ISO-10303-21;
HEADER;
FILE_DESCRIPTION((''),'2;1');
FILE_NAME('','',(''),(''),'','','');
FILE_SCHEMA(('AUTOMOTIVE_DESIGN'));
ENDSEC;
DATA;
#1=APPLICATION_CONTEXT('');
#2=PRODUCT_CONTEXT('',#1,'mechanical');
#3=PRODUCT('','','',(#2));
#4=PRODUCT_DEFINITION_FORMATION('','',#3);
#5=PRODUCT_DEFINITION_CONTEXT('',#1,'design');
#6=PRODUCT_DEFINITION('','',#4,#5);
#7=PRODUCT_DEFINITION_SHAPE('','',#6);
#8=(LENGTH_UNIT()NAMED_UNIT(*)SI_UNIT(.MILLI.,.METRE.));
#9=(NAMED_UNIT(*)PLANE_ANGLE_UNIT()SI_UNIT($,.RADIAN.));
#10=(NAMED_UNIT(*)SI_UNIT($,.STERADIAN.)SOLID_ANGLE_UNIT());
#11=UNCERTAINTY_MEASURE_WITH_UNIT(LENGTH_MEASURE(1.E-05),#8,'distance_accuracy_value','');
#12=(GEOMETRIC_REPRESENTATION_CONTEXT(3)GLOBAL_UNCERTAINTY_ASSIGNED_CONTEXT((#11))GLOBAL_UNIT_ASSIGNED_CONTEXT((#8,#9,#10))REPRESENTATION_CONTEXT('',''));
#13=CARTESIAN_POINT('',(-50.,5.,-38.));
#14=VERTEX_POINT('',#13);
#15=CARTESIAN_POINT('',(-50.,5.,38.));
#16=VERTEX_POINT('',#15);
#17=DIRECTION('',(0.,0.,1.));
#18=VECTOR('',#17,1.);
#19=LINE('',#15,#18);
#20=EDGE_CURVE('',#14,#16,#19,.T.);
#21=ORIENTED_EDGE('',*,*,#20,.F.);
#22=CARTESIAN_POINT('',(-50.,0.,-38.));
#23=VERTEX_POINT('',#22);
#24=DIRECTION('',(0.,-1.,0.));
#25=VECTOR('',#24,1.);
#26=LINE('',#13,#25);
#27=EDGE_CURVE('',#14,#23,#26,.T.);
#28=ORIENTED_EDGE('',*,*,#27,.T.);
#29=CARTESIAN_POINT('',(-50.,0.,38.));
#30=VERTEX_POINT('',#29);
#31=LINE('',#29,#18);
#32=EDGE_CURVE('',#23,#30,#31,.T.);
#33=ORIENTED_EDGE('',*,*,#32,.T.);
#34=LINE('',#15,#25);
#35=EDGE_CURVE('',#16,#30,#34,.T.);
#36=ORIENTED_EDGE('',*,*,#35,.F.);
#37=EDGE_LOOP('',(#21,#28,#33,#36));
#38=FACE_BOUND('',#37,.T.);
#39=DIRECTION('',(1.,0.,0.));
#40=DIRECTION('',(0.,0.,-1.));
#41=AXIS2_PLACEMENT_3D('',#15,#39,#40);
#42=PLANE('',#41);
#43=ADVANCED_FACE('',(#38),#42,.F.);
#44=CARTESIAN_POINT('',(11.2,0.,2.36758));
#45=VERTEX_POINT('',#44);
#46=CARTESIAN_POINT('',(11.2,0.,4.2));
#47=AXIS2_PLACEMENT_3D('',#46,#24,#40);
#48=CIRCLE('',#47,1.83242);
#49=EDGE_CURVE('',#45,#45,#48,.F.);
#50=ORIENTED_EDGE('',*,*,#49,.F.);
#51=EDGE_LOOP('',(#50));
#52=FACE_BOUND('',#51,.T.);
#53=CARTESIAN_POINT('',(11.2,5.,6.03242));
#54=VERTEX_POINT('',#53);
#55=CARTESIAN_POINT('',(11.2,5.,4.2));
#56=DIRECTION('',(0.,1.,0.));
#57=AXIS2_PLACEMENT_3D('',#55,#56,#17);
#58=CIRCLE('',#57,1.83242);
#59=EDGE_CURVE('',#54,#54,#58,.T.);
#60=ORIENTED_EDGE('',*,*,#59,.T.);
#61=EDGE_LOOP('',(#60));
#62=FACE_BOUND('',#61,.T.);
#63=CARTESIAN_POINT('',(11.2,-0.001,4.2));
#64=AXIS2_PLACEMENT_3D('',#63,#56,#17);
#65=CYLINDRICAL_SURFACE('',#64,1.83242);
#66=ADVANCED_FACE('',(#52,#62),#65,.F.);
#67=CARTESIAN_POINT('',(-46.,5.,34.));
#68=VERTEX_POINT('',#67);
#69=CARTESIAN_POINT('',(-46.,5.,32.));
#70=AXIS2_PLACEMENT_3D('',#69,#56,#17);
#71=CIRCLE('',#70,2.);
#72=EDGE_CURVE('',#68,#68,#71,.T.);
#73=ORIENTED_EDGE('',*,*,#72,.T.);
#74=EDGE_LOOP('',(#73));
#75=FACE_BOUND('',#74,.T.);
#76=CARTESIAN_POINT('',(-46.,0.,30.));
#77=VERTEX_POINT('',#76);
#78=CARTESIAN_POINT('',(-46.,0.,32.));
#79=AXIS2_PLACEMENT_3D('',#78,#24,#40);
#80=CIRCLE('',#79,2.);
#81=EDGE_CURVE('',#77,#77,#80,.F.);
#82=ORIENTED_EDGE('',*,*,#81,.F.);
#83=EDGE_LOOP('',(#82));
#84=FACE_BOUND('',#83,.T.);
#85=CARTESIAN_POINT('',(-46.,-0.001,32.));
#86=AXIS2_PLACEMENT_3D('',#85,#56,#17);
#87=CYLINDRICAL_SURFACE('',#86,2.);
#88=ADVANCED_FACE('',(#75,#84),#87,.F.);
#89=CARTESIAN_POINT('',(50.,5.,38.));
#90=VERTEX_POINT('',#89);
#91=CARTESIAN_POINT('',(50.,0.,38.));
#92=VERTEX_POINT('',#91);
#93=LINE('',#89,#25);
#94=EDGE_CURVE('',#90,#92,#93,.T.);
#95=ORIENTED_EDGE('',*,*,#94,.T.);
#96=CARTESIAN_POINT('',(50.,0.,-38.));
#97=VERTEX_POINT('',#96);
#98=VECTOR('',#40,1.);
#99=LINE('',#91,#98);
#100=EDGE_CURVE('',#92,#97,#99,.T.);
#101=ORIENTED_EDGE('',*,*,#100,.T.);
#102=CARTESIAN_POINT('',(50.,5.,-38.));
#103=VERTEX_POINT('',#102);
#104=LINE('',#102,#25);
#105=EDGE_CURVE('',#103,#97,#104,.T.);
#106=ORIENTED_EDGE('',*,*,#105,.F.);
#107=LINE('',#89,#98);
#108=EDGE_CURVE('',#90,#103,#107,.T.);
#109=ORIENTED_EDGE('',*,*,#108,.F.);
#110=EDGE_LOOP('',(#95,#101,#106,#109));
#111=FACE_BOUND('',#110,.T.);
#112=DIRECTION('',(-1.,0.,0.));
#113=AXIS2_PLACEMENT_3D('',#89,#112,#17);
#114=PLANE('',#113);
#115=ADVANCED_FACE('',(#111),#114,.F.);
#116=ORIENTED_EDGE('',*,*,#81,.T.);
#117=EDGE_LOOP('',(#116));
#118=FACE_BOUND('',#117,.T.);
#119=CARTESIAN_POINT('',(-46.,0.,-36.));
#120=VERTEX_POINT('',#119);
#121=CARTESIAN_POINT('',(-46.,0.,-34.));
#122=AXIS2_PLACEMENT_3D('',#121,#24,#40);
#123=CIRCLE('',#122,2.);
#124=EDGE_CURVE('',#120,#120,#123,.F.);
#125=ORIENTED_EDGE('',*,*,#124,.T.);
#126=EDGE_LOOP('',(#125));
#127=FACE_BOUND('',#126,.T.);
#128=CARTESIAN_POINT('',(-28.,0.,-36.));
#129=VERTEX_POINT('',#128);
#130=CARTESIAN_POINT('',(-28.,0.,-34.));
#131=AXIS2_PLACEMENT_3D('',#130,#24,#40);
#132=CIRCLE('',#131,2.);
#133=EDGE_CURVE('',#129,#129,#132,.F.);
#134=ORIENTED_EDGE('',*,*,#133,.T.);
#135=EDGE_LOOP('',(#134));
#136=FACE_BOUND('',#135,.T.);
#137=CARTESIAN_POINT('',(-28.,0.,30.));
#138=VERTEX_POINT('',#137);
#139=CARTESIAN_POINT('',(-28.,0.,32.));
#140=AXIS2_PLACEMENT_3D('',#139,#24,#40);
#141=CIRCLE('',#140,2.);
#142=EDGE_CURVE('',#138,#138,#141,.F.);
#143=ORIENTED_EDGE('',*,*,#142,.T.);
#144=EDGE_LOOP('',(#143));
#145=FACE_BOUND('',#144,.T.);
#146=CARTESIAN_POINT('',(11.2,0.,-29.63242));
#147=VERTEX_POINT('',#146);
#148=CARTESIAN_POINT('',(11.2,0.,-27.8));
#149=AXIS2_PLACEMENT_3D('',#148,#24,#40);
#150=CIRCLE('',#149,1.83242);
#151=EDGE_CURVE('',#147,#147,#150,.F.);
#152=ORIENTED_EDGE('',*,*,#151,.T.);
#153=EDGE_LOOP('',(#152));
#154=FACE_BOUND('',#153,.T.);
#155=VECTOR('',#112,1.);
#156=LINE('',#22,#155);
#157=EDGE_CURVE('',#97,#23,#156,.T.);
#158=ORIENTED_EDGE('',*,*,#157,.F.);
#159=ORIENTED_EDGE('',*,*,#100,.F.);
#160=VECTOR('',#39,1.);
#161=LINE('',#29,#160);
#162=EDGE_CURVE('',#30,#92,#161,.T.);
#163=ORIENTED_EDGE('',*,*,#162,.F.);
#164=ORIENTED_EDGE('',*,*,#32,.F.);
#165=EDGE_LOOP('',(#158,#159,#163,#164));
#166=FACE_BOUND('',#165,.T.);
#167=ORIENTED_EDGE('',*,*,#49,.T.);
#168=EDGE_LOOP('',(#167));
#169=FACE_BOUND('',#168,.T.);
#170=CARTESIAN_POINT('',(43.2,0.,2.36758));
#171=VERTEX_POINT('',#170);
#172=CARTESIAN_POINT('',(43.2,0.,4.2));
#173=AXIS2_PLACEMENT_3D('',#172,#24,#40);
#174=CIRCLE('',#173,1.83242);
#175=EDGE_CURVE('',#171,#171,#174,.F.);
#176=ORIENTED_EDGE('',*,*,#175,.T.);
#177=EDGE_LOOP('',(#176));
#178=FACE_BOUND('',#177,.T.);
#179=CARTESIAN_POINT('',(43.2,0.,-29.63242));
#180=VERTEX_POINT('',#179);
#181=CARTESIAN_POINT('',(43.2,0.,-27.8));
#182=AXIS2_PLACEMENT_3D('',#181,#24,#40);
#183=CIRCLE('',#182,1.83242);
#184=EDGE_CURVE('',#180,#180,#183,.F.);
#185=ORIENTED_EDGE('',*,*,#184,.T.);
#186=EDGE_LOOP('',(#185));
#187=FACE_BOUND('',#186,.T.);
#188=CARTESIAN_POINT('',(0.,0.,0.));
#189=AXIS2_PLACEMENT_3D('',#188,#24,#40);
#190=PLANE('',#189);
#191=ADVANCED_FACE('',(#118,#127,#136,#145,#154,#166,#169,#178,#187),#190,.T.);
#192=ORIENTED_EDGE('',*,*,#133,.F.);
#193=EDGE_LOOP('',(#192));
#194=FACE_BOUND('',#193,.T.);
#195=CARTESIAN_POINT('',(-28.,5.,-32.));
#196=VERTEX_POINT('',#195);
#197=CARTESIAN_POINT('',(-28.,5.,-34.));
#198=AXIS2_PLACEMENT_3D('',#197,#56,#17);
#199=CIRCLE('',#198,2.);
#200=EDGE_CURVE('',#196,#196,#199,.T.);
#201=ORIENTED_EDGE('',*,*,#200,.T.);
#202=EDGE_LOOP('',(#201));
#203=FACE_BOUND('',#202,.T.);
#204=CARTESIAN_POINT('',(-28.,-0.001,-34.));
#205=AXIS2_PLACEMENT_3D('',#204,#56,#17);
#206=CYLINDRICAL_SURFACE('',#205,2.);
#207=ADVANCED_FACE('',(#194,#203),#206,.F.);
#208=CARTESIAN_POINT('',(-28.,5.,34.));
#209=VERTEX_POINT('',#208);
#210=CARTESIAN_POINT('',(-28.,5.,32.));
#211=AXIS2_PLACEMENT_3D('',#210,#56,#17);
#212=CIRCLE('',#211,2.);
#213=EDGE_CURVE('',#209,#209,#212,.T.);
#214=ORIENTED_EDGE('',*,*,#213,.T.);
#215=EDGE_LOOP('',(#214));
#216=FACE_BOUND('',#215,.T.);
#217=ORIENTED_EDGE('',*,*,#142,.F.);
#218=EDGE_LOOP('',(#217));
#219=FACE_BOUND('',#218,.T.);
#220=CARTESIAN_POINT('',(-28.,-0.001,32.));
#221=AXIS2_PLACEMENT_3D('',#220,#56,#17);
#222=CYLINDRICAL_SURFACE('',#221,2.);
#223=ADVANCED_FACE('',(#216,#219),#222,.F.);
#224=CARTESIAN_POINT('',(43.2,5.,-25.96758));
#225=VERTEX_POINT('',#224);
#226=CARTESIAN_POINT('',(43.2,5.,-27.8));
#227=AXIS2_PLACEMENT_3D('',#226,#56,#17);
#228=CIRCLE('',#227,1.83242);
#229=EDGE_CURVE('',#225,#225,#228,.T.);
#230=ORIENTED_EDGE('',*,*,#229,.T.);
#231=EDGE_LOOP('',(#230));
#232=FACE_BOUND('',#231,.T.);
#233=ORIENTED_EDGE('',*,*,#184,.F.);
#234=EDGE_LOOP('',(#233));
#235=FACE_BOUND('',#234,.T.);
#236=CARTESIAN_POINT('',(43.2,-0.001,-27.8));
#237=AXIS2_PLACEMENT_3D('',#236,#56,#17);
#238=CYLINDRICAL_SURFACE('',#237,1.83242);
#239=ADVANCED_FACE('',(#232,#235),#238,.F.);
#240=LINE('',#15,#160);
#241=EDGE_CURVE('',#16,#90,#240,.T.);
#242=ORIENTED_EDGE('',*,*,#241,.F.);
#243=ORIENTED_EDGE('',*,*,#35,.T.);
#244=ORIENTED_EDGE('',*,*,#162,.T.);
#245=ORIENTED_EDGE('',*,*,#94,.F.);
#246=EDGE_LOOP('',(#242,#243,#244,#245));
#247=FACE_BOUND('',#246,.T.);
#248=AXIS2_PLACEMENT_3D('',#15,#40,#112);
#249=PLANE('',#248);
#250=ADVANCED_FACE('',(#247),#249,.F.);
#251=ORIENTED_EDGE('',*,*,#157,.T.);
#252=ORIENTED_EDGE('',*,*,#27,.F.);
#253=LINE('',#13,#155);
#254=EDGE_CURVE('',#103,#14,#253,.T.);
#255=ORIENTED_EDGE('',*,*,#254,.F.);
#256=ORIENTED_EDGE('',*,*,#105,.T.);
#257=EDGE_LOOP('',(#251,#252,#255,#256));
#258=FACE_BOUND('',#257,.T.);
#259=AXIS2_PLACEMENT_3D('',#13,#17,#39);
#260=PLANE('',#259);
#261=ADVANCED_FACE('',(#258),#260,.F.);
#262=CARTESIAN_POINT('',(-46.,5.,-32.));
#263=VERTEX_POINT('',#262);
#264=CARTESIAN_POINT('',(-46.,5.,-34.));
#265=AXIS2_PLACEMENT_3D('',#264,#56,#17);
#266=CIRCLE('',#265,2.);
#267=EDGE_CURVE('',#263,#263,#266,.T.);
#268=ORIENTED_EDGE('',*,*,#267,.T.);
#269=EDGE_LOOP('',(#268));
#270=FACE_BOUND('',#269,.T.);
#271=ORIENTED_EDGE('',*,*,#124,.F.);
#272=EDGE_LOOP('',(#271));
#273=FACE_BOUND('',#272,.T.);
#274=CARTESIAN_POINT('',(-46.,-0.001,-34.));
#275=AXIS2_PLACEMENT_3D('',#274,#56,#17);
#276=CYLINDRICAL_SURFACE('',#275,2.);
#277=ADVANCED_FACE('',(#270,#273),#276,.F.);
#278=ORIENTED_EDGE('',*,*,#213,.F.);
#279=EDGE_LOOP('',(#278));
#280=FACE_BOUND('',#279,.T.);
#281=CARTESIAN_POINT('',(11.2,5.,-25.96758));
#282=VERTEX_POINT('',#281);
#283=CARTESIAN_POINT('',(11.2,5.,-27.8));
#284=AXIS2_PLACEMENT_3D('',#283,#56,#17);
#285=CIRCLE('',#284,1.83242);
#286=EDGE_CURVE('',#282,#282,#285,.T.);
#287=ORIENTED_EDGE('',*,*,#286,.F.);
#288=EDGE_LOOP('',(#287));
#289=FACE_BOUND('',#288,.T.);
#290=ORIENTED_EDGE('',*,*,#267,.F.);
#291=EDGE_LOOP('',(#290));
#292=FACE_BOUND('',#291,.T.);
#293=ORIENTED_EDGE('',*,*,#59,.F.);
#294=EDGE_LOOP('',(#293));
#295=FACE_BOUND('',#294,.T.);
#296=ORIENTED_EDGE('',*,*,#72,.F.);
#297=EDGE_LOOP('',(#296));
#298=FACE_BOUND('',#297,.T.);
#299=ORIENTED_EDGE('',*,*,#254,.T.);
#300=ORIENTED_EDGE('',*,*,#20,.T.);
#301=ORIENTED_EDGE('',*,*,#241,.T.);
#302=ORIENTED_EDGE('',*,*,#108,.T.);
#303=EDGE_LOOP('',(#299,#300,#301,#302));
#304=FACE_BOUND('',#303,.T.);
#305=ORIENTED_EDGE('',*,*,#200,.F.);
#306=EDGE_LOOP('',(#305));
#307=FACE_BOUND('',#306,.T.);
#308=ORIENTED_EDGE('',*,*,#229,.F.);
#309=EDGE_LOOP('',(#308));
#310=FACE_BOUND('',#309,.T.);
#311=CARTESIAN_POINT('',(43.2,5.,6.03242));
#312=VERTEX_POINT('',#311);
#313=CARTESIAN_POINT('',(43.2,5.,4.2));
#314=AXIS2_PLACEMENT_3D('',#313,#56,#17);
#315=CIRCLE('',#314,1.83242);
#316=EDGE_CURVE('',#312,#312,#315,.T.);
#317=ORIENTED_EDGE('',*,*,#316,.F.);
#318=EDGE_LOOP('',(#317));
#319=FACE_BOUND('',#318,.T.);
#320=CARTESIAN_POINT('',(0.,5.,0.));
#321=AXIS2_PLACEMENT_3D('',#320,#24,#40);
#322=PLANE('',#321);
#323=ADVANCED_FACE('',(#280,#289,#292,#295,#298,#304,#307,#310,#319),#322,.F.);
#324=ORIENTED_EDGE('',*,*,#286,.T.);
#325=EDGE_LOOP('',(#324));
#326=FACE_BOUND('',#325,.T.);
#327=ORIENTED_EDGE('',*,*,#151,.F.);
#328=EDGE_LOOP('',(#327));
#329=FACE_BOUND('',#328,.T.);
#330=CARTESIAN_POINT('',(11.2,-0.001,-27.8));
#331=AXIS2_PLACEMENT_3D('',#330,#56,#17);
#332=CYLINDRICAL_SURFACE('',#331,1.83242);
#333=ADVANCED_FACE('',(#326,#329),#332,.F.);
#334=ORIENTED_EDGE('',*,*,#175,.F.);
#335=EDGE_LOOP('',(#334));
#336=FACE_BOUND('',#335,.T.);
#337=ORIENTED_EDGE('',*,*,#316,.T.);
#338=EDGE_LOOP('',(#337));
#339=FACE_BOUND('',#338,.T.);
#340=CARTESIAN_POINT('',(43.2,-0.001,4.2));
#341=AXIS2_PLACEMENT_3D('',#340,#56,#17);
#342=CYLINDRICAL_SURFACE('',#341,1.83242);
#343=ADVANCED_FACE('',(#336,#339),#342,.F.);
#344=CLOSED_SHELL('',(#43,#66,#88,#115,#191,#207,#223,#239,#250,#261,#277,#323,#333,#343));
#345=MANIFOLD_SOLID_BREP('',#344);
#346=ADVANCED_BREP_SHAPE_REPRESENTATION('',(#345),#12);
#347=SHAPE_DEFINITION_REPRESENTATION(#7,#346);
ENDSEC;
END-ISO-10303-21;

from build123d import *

# Parameters (mm, degrees)
SKETCH1_W           = 100
SKETCH1_H           = 76
BOSS_EXTRUDE1_DEPTH = 5
CUT_EXTRUDE6_REACH  = 7
SKETCH2_R           = 2
SKETCH2_R_2         = 1.832419899


with BuildPart() as part:
    # Sketch1 → Boss-Extrude1 (new body)
    with BuildSketch(Plane(origin=(0, 0, 0), x_dir=(1, 0, 0), z_dir=(0, 1, 0))):
        Rectangle(SKETCH1_W, SKETCH1_H)
    extrude(amount=BOSS_EXTRUDE1_DEPTH)

    # Sketch2 → Cut-Extrude6 (cut, up to next)
    with BuildSketch(Plane(origin=(0, 5, 0), x_dir=(1, 0, 0), z_dir=(0, 1, 0)), mode=Mode.PRIVATE) as cut_extrude6_sk1:
        with Locations((-46, 34)):
            Circle(SKETCH2_R)
    cut_extrude6_tool1 = extrude(cut_extrude6_sk1.sketch, amount=-CUT_EXTRUDE6_REACH, mode=Mode.PRIVATE) & part.part
    add(cut_extrude6_tool1.solids().sort_by_distance((-46, 5, -34))[0], mode=Mode.SUBTRACT)
    # Sketch2 → Cut-Extrude6 (cut, up to next)
    with BuildSketch(Plane(origin=(0, 5, 0), x_dir=(1, 0, 0), z_dir=(0, 1, 0)), mode=Mode.PRIVATE) as cut_extrude6_sk2:
        with Locations((-28, 34)):
            Circle(SKETCH2_R)
    cut_extrude6_tool2 = extrude(cut_extrude6_sk2.sketch, amount=-CUT_EXTRUDE6_REACH, mode=Mode.PRIVATE) & part.part
    add(cut_extrude6_tool2.solids().sort_by_distance((-28, 5, -34))[0], mode=Mode.SUBTRACT)
    # Sketch2 → Cut-Extrude6 (cut, up to next)
    with BuildSketch(Plane(origin=(0, 5, 0), x_dir=(1, 0, 0), z_dir=(0, 1, 0)), mode=Mode.PRIVATE) as cut_extrude6_sk3:
        with Locations((-46, -32)):
            Circle(SKETCH2_R)
    cut_extrude6_tool3 = extrude(cut_extrude6_sk3.sketch, amount=-CUT_EXTRUDE6_REACH, mode=Mode.PRIVATE) & part.part
    add(cut_extrude6_tool3.solids().sort_by_distance((-46, 5, 32))[0], mode=Mode.SUBTRACT)
    # Sketch2 → Cut-Extrude6 (cut, up to next)
    with BuildSketch(Plane(origin=(0, 5, 0), x_dir=(1, 0, 0), z_dir=(0, 1, 0)), mode=Mode.PRIVATE) as cut_extrude6_sk4:
        with Locations((-28, -32)):
            Circle(SKETCH2_R)
    cut_extrude6_tool4 = extrude(cut_extrude6_sk4.sketch, amount=-CUT_EXTRUDE6_REACH, mode=Mode.PRIVATE) & part.part
    add(cut_extrude6_tool4.solids().sort_by_distance((-28, 5, 32))[0], mode=Mode.SUBTRACT)
    # Sketch2 → Cut-Extrude6 (cut, up to next)
    with BuildSketch(Plane(origin=(0, 5, 0), x_dir=(1, 0, 0), z_dir=(0, 1, 0)), mode=Mode.PRIVATE) as cut_extrude6_sk5:
        with Locations((11.2, 27.8)):
            Circle(SKETCH2_R_2)
    cut_extrude6_tool5 = extrude(cut_extrude6_sk5.sketch, amount=-CUT_EXTRUDE6_REACH, mode=Mode.PRIVATE) & part.part
    add(cut_extrude6_tool5.solids().sort_by_distance((11.2, 5, -27.8))[0], mode=Mode.SUBTRACT)
    # Sketch2 → Cut-Extrude6 (cut, up to next)
    with BuildSketch(Plane(origin=(0, 5, 0), x_dir=(1, 0, 0), z_dir=(0, 1, 0)), mode=Mode.PRIVATE) as cut_extrude6_sk6:
        with Locations((43.2, 27.8)):
            Circle(SKETCH2_R_2)
    cut_extrude6_tool6 = extrude(cut_extrude6_sk6.sketch, amount=-CUT_EXTRUDE6_REACH, mode=Mode.PRIVATE) & part.part
    add(cut_extrude6_tool6.solids().sort_by_distance((43.2, 5, -27.8))[0], mode=Mode.SUBTRACT)
    # Sketch2 → Cut-Extrude6 (cut, up to next)
    with BuildSketch(Plane(origin=(0, 5, 0), x_dir=(1, 0, 0), z_dir=(0, 1, 0)), mode=Mode.PRIVATE) as cut_extrude6_sk7:
        with Locations((11.2, -4.2)):
            Circle(SKETCH2_R_2)
    cut_extrude6_tool7 = extrude(cut_extrude6_sk7.sketch, amount=-CUT_EXTRUDE6_REACH, mode=Mode.PRIVATE) & part.part
    add(cut_extrude6_tool7.solids().sort_by_distance((11.2, 5, 4.2))[0], mode=Mode.SUBTRACT)
    # Sketch2 → Cut-Extrude6 (cut, up to next)
    with BuildSketch(Plane(origin=(0, 5, 0), x_dir=(1, 0, 0), z_dir=(0, 1, 0)), mode=Mode.PRIVATE) as cut_extrude6_sk8:
        with Locations((43.2, -4.2)):
            Circle(SKETCH2_R_2)
    cut_extrude6_tool8 = extrude(cut_extrude6_sk8.sketch, amount=-CUT_EXTRUDE6_REACH, mode=Mode.PRIVATE) & part.part
    add(cut_extrude6_tool8.solids().sort_by_distance((43.2, 5, 4.2))[0], mode=Mode.SUBTRACT)


solid = part.part
